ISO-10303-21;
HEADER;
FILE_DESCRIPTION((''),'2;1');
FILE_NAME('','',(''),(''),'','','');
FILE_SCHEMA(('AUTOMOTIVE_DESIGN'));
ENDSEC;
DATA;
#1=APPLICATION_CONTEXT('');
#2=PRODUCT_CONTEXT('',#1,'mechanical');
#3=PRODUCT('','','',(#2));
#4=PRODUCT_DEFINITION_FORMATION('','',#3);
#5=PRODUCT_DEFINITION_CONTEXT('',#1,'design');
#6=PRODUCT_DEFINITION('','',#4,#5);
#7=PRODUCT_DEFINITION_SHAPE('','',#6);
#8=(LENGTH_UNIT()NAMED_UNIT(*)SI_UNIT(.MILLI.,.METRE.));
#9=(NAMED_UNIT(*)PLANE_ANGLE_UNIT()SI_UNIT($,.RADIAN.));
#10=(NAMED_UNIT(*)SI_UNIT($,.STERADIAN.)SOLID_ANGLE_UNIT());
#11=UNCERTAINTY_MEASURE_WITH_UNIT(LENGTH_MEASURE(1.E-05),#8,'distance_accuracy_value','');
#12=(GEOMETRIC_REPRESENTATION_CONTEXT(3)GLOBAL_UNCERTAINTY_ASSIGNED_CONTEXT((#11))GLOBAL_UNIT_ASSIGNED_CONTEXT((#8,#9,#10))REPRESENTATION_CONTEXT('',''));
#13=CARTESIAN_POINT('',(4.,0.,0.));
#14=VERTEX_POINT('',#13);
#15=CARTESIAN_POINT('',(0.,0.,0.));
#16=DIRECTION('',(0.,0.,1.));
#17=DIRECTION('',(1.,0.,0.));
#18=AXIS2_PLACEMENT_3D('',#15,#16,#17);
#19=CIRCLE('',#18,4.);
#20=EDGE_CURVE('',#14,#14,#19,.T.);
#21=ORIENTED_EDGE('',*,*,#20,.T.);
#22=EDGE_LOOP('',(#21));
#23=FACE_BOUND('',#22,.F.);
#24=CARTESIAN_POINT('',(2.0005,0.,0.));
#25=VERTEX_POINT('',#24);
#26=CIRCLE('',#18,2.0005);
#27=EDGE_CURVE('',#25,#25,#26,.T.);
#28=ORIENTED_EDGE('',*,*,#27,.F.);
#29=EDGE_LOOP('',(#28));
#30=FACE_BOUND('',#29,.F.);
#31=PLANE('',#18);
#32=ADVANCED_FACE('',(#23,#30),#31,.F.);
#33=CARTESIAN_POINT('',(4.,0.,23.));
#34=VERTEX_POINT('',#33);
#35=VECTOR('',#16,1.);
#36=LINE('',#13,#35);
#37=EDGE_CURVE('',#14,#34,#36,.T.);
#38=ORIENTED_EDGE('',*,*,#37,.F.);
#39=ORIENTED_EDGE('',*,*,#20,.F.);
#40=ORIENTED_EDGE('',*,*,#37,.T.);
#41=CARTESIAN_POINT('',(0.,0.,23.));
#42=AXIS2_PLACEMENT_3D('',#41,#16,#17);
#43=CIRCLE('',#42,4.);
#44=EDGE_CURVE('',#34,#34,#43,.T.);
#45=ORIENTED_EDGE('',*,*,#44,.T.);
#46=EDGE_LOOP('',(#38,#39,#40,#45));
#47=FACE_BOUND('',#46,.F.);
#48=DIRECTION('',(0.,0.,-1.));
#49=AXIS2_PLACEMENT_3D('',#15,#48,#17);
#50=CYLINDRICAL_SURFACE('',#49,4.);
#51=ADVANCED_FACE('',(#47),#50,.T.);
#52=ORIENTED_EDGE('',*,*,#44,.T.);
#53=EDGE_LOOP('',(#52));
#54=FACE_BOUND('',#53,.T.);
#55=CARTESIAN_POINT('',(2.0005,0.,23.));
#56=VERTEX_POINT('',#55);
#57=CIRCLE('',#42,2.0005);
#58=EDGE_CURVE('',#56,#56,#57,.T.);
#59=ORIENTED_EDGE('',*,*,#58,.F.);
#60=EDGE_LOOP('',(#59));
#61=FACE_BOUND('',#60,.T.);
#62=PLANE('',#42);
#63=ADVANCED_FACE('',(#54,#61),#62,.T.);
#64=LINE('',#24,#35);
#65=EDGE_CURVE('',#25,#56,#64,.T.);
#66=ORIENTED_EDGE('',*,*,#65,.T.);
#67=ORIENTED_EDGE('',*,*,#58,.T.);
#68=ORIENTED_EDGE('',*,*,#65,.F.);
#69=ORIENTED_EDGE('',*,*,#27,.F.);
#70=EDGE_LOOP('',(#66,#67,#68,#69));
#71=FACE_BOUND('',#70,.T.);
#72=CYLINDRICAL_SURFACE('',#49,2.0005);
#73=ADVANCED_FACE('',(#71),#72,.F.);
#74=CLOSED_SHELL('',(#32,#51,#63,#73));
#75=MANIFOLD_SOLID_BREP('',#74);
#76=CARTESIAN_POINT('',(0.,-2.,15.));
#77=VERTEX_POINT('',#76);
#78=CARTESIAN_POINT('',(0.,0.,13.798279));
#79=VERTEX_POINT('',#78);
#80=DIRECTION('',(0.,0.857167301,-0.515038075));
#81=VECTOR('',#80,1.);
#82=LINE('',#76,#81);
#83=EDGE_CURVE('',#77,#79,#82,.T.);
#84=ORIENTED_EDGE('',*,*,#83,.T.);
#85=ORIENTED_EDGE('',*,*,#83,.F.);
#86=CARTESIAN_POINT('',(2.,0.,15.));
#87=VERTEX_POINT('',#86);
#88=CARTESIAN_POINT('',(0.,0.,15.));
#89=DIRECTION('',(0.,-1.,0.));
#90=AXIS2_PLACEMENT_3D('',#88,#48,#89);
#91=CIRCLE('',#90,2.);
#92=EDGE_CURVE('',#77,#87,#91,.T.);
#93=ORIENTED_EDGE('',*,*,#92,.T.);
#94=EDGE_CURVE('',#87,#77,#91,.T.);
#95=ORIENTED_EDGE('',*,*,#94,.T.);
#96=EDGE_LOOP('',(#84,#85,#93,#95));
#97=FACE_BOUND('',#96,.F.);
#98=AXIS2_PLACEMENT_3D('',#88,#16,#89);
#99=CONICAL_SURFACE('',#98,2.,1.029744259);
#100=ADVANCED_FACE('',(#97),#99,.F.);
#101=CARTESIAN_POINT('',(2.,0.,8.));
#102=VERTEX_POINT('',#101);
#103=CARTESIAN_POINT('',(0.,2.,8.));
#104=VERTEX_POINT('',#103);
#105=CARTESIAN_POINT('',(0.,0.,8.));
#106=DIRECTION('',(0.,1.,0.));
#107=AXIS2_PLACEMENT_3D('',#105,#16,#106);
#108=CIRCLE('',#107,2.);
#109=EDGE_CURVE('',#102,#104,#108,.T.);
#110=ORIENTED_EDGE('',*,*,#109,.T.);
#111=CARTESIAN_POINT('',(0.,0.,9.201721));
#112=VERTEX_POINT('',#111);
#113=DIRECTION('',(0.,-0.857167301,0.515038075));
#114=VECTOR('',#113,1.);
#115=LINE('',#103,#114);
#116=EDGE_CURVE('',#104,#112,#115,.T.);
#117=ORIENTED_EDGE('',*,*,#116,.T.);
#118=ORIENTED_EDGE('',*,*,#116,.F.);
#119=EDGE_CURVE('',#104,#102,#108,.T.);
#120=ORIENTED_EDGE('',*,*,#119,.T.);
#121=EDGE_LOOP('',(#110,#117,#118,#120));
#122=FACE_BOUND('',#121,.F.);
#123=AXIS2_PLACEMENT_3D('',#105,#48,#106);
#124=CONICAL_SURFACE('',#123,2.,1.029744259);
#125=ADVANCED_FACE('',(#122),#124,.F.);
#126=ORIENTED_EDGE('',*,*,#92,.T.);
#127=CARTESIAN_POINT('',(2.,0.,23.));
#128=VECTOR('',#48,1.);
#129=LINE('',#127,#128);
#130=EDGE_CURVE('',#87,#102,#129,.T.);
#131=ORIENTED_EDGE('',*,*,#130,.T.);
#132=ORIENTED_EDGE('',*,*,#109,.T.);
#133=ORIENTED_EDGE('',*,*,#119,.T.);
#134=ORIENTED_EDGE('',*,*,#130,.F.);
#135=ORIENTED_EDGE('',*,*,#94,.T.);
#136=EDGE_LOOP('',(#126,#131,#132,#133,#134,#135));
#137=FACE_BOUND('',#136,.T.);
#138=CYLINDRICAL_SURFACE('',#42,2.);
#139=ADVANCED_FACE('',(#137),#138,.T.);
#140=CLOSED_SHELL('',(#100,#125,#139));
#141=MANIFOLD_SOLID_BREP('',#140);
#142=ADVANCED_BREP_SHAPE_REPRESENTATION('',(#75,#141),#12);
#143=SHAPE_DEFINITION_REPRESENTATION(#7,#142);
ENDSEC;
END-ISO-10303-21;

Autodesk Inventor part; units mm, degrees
ref_plane "YZ Plane" through (0, 0, 0) normal (1, 0, 0) x (0, 1, 0)
ref_plane "XZ Plane" through (0, 0, 0) normal (0, 1, 0) x (-1, 0, 0)
ref_plane "XY Plane" through (0, 0, 0) normal (0, 0, 1) x (1, 0, 0)
sketch "スケッチ1" plane through (0, 0, 0) normal (0, 0, 1) x (1, 0, 0)
  circle A0 centre (0, 0) radius 4
  circle A1 centre (0, 0) radius 2.0005
  dimension "d0" = 8
  dimension "d1" = 4.001
extrude "押し出し1" add sketch "スケッチ1" along normal blind 23
sketch "スケッチ2" plane through (0, 0, 23) normal (0, 0, 1) x (1, 0, 0)
  circle A0 centre (0, 0) radius 2
  dimension "d4" = 4
extrude "押し出し2" add sketch "スケッチ2" against normal blind 23
hole "穴1" at (0, 0, 23) direction (0, 0, -1) diameter 4 depth 8 tip angle 118
hole "穴2" at (0, 0, 0) direction (0, 0, 1) diameter 4 depth 8 tip angle 118
properties part number "スペーサーm4-23　簡易筒型" material "アルミニウム 2014-T4"
